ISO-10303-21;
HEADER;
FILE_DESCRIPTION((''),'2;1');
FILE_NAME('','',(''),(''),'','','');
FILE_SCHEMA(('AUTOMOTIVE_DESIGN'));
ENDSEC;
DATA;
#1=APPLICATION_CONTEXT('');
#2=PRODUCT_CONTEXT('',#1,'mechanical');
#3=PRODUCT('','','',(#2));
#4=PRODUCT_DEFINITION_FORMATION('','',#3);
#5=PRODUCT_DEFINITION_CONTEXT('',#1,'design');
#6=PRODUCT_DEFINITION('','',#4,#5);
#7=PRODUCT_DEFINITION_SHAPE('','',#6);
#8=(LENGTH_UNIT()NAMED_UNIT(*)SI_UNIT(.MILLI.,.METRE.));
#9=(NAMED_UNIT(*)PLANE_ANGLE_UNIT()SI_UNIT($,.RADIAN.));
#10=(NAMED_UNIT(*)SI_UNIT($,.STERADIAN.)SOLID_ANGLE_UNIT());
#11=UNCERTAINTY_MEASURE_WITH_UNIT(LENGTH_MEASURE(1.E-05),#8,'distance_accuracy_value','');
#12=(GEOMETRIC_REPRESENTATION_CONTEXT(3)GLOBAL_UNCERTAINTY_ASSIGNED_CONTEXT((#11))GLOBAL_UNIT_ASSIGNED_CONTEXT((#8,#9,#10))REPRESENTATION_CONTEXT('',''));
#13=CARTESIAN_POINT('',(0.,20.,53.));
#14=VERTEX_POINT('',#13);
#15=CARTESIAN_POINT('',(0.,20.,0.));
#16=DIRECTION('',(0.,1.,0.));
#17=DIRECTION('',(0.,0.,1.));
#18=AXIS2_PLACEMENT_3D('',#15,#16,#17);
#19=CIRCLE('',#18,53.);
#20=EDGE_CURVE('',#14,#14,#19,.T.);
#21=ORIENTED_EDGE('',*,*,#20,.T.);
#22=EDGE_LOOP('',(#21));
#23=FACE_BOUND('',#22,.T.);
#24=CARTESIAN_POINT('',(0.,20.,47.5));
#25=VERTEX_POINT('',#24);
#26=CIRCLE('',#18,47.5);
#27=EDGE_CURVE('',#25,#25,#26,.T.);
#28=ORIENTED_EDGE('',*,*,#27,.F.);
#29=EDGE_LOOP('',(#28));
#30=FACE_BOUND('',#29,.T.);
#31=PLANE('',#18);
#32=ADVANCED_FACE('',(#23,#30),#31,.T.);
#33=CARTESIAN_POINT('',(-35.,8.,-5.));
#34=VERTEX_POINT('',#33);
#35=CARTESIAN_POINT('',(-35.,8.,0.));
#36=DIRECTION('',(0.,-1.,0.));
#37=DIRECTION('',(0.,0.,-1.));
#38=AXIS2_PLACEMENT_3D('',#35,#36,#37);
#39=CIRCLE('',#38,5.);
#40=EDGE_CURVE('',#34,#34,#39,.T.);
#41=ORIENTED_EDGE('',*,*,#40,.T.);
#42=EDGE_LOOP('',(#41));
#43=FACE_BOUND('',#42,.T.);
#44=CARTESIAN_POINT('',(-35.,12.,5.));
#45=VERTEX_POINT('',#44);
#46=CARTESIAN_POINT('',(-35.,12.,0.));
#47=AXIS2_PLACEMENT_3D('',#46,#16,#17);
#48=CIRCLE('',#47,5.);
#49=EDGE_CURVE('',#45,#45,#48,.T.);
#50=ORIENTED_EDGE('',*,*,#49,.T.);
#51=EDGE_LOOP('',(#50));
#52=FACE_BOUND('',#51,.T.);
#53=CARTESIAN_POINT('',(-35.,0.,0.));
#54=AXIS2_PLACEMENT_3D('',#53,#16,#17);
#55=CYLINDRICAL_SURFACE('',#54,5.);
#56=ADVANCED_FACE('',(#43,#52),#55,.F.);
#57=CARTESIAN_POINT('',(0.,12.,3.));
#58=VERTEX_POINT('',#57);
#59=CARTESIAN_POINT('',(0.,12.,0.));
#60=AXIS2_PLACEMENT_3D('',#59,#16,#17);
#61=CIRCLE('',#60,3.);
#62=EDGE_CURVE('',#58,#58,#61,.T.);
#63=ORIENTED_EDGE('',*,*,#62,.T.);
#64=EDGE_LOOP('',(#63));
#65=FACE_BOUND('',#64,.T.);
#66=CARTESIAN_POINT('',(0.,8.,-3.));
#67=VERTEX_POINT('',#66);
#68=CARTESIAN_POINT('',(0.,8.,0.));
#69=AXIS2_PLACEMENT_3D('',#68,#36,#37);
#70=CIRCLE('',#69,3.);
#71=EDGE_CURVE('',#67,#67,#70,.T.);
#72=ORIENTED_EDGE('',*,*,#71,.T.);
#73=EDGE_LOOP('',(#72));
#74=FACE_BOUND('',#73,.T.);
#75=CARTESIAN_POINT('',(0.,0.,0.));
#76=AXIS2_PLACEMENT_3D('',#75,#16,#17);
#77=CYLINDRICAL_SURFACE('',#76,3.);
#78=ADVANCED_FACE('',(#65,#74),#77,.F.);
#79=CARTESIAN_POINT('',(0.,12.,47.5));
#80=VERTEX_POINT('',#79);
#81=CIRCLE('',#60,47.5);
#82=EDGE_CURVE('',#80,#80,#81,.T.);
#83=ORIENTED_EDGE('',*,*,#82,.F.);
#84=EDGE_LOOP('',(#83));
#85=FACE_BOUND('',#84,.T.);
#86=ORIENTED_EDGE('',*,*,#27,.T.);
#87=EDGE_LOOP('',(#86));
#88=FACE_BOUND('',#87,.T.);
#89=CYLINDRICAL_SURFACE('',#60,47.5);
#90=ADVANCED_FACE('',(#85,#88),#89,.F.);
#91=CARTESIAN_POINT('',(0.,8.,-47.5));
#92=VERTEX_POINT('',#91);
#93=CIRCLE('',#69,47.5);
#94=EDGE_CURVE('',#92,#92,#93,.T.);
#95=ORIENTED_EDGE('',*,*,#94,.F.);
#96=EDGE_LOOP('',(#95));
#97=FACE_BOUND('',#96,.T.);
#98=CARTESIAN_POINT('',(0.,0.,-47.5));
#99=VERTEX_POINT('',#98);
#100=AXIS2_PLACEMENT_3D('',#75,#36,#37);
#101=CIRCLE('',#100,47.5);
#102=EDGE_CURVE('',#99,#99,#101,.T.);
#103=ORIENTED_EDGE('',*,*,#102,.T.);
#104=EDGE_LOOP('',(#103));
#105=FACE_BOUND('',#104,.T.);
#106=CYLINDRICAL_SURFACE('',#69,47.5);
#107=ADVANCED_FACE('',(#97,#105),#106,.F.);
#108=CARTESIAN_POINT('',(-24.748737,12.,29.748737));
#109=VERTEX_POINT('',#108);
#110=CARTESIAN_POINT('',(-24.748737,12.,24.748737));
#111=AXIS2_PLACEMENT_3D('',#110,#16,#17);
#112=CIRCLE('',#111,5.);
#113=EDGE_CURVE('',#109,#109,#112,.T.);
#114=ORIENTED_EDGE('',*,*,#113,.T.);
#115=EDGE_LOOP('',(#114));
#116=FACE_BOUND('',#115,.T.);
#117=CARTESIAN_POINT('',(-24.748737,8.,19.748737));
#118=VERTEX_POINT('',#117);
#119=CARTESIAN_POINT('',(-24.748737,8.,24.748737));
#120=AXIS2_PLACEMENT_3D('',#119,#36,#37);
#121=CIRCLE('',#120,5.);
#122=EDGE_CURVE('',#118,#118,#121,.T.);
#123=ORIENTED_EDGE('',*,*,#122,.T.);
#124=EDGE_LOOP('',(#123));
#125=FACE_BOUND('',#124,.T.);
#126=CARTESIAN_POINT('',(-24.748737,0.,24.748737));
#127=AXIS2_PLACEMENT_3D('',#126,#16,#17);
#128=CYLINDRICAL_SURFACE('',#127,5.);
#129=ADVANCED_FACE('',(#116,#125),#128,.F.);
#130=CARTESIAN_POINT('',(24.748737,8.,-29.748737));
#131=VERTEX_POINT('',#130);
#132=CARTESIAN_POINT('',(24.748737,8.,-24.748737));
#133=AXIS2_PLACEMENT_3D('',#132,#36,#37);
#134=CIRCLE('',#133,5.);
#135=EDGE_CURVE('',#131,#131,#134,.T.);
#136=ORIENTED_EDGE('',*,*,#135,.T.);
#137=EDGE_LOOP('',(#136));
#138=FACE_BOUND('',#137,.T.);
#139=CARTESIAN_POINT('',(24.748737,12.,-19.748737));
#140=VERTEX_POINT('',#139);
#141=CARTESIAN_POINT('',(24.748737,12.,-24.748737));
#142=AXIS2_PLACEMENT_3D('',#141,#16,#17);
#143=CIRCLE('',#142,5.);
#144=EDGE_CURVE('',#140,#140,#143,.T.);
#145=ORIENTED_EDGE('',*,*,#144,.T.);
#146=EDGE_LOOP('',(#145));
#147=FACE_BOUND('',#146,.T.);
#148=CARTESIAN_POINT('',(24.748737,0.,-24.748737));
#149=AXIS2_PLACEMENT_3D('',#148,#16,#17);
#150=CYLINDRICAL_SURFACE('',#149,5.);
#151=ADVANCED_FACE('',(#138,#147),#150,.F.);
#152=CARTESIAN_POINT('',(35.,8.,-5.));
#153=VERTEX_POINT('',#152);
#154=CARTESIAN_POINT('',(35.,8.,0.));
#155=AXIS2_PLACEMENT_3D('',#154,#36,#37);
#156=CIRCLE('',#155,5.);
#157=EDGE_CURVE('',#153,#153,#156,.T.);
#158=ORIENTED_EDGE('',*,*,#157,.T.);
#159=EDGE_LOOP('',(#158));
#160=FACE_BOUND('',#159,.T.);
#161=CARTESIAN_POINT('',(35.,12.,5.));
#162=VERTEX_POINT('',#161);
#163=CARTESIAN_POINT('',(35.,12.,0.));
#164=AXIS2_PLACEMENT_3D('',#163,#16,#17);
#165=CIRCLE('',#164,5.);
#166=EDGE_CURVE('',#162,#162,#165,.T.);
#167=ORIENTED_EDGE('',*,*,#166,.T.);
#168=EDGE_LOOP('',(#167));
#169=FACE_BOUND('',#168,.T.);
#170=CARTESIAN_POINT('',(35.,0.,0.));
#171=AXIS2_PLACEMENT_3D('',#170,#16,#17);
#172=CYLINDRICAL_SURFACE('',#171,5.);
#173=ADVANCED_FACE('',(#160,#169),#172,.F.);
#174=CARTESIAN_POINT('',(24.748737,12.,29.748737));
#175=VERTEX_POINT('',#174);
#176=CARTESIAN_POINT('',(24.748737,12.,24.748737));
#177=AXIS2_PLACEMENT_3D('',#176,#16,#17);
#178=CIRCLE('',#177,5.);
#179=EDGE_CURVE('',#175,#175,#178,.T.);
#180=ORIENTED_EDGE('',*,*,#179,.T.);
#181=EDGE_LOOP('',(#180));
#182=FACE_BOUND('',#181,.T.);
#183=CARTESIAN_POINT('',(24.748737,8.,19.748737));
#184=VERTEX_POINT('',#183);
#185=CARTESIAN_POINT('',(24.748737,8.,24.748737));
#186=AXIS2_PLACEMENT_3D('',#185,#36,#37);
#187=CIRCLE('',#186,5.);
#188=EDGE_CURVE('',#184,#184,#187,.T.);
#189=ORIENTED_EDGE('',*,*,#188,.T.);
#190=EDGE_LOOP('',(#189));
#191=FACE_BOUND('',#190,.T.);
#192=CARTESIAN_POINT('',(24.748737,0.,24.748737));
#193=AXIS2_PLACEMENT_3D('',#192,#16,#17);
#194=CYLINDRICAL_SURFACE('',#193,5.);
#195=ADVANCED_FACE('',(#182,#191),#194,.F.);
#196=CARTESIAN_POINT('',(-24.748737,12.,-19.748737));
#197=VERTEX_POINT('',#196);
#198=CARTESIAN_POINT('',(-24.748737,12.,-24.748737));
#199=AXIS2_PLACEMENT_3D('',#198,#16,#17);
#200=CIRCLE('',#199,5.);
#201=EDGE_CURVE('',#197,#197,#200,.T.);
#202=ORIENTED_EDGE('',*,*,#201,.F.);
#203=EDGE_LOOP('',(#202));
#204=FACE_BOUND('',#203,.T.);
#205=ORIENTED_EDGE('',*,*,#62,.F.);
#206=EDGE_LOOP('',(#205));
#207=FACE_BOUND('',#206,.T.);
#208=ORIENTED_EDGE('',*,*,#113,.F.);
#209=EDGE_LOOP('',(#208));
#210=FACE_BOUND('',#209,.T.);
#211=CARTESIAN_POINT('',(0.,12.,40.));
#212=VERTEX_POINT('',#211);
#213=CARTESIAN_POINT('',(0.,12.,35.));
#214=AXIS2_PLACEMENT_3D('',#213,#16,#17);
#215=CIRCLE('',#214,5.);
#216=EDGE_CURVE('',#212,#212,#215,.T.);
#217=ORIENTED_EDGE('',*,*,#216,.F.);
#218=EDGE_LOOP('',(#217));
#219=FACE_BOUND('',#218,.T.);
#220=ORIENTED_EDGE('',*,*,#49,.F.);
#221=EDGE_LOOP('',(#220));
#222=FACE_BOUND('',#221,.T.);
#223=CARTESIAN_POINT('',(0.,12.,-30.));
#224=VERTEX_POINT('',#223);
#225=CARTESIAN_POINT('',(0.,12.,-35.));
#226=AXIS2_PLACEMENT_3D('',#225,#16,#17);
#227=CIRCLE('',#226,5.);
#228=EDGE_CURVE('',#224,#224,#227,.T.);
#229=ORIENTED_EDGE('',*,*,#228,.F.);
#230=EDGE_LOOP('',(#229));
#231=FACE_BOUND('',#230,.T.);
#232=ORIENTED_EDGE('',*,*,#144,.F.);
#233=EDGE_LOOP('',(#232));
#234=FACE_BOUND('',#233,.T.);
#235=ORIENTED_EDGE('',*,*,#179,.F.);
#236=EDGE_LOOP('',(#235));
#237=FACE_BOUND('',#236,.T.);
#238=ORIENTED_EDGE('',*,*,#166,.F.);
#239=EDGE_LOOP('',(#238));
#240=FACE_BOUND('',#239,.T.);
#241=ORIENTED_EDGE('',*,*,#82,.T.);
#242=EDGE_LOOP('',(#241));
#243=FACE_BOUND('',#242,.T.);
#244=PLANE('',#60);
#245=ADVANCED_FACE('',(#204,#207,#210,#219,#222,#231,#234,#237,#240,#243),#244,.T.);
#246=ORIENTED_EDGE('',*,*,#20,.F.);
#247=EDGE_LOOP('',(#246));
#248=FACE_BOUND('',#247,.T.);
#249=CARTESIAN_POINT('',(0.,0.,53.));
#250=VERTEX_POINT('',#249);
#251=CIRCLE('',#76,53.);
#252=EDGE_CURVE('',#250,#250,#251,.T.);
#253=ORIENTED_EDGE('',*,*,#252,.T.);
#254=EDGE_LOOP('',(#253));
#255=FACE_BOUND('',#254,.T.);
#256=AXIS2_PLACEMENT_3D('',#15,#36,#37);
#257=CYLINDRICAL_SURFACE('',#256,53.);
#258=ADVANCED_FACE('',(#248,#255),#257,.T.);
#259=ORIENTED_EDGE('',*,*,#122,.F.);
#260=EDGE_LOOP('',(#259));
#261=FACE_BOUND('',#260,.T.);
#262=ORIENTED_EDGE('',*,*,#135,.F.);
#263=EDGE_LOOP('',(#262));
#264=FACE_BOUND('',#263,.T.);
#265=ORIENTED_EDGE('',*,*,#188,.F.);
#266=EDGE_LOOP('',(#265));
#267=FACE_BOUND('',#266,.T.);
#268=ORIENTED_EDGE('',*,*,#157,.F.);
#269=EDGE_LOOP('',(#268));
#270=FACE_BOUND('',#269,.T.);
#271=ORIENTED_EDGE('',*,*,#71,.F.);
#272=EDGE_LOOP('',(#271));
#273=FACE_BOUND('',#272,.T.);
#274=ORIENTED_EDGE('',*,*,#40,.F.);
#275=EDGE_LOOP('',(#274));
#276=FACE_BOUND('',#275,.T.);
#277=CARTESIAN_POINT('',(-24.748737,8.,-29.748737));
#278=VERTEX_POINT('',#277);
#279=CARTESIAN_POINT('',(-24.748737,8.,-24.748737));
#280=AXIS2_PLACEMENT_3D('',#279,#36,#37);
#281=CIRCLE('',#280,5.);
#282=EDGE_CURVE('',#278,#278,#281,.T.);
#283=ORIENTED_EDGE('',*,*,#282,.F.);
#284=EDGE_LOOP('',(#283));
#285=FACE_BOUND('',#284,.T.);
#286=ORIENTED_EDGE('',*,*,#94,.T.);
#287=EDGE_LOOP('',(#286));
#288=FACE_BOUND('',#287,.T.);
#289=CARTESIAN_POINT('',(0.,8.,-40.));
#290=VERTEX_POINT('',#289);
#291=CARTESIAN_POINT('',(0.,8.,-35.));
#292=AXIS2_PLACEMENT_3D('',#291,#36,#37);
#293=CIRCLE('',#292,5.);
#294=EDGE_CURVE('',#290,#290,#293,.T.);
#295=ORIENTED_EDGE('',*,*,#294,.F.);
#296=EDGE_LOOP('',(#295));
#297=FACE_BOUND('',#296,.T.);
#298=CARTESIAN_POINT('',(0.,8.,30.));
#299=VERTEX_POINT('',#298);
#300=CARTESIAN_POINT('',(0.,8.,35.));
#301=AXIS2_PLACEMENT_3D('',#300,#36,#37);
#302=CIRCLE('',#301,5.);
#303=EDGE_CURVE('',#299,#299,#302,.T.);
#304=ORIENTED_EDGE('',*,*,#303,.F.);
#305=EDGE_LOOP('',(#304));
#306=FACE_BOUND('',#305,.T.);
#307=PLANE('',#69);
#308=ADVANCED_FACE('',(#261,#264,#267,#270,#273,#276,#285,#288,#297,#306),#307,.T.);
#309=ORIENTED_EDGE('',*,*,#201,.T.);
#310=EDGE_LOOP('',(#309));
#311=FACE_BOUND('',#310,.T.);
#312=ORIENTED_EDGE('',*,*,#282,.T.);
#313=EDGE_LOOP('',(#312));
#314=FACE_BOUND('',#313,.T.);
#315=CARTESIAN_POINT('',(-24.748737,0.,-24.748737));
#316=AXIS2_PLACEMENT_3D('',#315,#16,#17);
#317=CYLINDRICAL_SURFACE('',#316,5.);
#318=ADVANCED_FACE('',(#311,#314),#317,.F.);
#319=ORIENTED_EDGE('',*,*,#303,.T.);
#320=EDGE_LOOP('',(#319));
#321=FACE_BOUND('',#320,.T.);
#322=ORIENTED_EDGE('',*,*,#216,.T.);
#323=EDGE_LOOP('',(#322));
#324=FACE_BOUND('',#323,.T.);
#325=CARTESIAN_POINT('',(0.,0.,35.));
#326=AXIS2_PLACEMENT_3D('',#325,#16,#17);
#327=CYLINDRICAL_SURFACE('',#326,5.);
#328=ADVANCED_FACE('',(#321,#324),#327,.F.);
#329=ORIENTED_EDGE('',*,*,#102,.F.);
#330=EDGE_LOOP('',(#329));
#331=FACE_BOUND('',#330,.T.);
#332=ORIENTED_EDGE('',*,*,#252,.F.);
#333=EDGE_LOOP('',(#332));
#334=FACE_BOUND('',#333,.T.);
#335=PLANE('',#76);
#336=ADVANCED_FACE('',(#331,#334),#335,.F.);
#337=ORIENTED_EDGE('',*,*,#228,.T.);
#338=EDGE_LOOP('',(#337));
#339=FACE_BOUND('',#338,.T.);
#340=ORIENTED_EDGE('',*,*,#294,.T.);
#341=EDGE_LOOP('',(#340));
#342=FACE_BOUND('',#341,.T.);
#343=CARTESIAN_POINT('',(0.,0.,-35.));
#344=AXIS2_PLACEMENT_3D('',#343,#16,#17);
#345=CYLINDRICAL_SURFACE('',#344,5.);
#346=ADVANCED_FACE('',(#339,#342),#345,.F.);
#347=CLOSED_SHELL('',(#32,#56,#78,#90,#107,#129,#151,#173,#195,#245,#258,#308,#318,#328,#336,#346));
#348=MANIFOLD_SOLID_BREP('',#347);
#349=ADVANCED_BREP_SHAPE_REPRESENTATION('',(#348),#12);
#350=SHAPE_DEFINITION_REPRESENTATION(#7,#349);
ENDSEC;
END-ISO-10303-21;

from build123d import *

# Parameters (mm, degrees)
SKETCH1_R           = 53
SKETCH1_R_2         = 43
BOSS_EXTRUDE1_DEPTH = 20
SKETCH2_R           = 43
BOSS_EXTRUDE2_DEPTH = 20
SKETCH3_R           = 47.5
CUT_EXTRUDE1_DEPTH  = 8
SKETCH4_R           = 47.5
CUT_EXTRUDE2_DEPTH  = 8
SKETCH5_R           = 3
SKETCH5_R_2         = 5
CUT_EXTRUDE3_DEPTH  = 13


with BuildPart() as part:
    # Sketch1 → Boss-Extrude1 (new body)
    with BuildSketch(Plane(origin=(0, 0, 0), x_dir=(1, 0, 0), z_dir=(0, 1, 0))):
        Circle(SKETCH1_R)
        Circle(SKETCH1_R_2, mode=Mode.SUBTRACT)
    extrude(amount=BOSS_EXTRUDE1_DEPTH)

    # Sketch2 → Boss-Extrude2 (add)
    with BuildSketch(Plane(origin=(0, 20, 0), x_dir=(1, 0, 0), z_dir=(0, 1, 0))):
        Circle(SKETCH2_R)
    extrude(amount=-BOSS_EXTRUDE2_DEPTH)

    # Sketch3 → Cut-Extrude1 (cut)
    with BuildSketch(Plane(origin=(0, 20, 0), x_dir=(1, 0, 0), z_dir=(0, 1, 0))):
        Circle(SKETCH3_R)
    extrude(amount=-CUT_EXTRUDE1_DEPTH, mode=Mode.SUBTRACT)

    # Sketch4 → Cut-Extrude2 (cut)
    with BuildSketch(Plane.XZ):
        Circle(SKETCH4_R)
    extrude(amount=-CUT_EXTRUDE2_DEPTH, mode=Mode.SUBTRACT)

    # Sketch5 → Cut-Extrude3 (cut, through all)
    with BuildSketch(Plane(origin=(0, 12, 0), x_dir=(1, 0, 0), z_dir=(0, 1, 0))):
        Circle(SKETCH5_R)
        with Locations((0, 35)):
            Circle(SKETCH5_R_2)
        with Locations((24.748737342, 24.748737342)):
            Circle(SKETCH5_R_2)
        with Locations((35, 0)):
            Circle(SKETCH5_R_2)
        with Locations((24.748737342, -24.748737342)):
            Circle(SKETCH5_R_2)
        with Locations((0, -35)):
            Circle(SKETCH5_R_2)
        with Locations((-24.748737342, -24.748737342)):
            Circle(SKETCH5_R_2)
        with Locations((-35, 0)):
            Circle(SKETCH5_R_2)
        with Locations((-24.748737342, 24.748737342)):
            Circle(SKETCH5_R_2)
    extrude(amount=-CUT_EXTRUDE3_DEPTH, mode=Mode.SUBTRACT)


solid = part.part
